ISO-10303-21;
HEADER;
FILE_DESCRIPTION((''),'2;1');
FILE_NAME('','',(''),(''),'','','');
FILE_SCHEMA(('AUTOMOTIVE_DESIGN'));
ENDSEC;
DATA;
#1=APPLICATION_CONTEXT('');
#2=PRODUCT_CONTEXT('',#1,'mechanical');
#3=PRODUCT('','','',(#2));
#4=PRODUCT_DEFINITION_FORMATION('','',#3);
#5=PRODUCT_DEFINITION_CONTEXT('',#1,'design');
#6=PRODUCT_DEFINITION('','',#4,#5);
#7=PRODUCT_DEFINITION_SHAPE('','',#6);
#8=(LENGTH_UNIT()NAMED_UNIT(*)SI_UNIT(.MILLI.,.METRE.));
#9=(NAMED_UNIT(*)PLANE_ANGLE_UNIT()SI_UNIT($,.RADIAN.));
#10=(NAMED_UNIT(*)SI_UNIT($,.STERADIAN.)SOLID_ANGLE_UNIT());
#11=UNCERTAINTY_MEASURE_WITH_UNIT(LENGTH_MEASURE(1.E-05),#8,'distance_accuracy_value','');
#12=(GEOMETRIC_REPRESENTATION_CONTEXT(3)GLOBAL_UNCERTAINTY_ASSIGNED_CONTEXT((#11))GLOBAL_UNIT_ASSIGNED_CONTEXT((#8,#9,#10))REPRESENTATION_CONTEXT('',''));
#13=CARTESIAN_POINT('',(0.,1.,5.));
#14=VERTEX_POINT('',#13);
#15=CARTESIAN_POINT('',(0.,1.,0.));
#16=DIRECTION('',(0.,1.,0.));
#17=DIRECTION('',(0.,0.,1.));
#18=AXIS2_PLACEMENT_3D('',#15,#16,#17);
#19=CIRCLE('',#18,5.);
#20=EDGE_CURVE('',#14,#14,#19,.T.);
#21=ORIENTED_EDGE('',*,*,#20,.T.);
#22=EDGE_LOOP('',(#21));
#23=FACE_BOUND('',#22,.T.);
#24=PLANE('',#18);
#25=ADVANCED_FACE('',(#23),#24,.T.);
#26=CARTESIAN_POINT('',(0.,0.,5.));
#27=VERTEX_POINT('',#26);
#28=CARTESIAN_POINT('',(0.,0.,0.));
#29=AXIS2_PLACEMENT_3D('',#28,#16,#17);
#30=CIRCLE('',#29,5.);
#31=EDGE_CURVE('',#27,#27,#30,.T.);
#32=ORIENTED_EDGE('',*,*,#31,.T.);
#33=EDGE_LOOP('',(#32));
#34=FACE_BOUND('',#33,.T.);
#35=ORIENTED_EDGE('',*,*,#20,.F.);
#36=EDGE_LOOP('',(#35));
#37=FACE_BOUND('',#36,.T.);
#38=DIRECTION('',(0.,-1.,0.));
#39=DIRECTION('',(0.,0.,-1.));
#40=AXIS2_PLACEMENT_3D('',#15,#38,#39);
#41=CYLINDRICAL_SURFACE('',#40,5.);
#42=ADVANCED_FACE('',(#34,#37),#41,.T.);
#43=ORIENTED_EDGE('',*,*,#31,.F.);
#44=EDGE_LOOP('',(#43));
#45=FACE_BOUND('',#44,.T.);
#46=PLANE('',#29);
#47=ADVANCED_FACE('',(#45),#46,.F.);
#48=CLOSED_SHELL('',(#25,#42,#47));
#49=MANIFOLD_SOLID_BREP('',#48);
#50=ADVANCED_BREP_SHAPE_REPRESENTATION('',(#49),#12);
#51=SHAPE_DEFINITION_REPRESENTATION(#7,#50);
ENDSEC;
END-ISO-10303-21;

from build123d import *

# Parameters (mm, degrees)
SKETCH1_R           = 5
BOSS_EXTRUDE1_DEPTH = 1


with BuildPart() as part:
    # Sketch1 → Boss-Extrude1 (new body)
    with BuildSketch(Plane(origin=(0, 0, 0), x_dir=(1, 0, 0), z_dir=(0, 1, 0))):
        Circle(SKETCH1_R)
    extrude(amount=BOSS_EXTRUDE1_DEPTH)


solid = part.part
